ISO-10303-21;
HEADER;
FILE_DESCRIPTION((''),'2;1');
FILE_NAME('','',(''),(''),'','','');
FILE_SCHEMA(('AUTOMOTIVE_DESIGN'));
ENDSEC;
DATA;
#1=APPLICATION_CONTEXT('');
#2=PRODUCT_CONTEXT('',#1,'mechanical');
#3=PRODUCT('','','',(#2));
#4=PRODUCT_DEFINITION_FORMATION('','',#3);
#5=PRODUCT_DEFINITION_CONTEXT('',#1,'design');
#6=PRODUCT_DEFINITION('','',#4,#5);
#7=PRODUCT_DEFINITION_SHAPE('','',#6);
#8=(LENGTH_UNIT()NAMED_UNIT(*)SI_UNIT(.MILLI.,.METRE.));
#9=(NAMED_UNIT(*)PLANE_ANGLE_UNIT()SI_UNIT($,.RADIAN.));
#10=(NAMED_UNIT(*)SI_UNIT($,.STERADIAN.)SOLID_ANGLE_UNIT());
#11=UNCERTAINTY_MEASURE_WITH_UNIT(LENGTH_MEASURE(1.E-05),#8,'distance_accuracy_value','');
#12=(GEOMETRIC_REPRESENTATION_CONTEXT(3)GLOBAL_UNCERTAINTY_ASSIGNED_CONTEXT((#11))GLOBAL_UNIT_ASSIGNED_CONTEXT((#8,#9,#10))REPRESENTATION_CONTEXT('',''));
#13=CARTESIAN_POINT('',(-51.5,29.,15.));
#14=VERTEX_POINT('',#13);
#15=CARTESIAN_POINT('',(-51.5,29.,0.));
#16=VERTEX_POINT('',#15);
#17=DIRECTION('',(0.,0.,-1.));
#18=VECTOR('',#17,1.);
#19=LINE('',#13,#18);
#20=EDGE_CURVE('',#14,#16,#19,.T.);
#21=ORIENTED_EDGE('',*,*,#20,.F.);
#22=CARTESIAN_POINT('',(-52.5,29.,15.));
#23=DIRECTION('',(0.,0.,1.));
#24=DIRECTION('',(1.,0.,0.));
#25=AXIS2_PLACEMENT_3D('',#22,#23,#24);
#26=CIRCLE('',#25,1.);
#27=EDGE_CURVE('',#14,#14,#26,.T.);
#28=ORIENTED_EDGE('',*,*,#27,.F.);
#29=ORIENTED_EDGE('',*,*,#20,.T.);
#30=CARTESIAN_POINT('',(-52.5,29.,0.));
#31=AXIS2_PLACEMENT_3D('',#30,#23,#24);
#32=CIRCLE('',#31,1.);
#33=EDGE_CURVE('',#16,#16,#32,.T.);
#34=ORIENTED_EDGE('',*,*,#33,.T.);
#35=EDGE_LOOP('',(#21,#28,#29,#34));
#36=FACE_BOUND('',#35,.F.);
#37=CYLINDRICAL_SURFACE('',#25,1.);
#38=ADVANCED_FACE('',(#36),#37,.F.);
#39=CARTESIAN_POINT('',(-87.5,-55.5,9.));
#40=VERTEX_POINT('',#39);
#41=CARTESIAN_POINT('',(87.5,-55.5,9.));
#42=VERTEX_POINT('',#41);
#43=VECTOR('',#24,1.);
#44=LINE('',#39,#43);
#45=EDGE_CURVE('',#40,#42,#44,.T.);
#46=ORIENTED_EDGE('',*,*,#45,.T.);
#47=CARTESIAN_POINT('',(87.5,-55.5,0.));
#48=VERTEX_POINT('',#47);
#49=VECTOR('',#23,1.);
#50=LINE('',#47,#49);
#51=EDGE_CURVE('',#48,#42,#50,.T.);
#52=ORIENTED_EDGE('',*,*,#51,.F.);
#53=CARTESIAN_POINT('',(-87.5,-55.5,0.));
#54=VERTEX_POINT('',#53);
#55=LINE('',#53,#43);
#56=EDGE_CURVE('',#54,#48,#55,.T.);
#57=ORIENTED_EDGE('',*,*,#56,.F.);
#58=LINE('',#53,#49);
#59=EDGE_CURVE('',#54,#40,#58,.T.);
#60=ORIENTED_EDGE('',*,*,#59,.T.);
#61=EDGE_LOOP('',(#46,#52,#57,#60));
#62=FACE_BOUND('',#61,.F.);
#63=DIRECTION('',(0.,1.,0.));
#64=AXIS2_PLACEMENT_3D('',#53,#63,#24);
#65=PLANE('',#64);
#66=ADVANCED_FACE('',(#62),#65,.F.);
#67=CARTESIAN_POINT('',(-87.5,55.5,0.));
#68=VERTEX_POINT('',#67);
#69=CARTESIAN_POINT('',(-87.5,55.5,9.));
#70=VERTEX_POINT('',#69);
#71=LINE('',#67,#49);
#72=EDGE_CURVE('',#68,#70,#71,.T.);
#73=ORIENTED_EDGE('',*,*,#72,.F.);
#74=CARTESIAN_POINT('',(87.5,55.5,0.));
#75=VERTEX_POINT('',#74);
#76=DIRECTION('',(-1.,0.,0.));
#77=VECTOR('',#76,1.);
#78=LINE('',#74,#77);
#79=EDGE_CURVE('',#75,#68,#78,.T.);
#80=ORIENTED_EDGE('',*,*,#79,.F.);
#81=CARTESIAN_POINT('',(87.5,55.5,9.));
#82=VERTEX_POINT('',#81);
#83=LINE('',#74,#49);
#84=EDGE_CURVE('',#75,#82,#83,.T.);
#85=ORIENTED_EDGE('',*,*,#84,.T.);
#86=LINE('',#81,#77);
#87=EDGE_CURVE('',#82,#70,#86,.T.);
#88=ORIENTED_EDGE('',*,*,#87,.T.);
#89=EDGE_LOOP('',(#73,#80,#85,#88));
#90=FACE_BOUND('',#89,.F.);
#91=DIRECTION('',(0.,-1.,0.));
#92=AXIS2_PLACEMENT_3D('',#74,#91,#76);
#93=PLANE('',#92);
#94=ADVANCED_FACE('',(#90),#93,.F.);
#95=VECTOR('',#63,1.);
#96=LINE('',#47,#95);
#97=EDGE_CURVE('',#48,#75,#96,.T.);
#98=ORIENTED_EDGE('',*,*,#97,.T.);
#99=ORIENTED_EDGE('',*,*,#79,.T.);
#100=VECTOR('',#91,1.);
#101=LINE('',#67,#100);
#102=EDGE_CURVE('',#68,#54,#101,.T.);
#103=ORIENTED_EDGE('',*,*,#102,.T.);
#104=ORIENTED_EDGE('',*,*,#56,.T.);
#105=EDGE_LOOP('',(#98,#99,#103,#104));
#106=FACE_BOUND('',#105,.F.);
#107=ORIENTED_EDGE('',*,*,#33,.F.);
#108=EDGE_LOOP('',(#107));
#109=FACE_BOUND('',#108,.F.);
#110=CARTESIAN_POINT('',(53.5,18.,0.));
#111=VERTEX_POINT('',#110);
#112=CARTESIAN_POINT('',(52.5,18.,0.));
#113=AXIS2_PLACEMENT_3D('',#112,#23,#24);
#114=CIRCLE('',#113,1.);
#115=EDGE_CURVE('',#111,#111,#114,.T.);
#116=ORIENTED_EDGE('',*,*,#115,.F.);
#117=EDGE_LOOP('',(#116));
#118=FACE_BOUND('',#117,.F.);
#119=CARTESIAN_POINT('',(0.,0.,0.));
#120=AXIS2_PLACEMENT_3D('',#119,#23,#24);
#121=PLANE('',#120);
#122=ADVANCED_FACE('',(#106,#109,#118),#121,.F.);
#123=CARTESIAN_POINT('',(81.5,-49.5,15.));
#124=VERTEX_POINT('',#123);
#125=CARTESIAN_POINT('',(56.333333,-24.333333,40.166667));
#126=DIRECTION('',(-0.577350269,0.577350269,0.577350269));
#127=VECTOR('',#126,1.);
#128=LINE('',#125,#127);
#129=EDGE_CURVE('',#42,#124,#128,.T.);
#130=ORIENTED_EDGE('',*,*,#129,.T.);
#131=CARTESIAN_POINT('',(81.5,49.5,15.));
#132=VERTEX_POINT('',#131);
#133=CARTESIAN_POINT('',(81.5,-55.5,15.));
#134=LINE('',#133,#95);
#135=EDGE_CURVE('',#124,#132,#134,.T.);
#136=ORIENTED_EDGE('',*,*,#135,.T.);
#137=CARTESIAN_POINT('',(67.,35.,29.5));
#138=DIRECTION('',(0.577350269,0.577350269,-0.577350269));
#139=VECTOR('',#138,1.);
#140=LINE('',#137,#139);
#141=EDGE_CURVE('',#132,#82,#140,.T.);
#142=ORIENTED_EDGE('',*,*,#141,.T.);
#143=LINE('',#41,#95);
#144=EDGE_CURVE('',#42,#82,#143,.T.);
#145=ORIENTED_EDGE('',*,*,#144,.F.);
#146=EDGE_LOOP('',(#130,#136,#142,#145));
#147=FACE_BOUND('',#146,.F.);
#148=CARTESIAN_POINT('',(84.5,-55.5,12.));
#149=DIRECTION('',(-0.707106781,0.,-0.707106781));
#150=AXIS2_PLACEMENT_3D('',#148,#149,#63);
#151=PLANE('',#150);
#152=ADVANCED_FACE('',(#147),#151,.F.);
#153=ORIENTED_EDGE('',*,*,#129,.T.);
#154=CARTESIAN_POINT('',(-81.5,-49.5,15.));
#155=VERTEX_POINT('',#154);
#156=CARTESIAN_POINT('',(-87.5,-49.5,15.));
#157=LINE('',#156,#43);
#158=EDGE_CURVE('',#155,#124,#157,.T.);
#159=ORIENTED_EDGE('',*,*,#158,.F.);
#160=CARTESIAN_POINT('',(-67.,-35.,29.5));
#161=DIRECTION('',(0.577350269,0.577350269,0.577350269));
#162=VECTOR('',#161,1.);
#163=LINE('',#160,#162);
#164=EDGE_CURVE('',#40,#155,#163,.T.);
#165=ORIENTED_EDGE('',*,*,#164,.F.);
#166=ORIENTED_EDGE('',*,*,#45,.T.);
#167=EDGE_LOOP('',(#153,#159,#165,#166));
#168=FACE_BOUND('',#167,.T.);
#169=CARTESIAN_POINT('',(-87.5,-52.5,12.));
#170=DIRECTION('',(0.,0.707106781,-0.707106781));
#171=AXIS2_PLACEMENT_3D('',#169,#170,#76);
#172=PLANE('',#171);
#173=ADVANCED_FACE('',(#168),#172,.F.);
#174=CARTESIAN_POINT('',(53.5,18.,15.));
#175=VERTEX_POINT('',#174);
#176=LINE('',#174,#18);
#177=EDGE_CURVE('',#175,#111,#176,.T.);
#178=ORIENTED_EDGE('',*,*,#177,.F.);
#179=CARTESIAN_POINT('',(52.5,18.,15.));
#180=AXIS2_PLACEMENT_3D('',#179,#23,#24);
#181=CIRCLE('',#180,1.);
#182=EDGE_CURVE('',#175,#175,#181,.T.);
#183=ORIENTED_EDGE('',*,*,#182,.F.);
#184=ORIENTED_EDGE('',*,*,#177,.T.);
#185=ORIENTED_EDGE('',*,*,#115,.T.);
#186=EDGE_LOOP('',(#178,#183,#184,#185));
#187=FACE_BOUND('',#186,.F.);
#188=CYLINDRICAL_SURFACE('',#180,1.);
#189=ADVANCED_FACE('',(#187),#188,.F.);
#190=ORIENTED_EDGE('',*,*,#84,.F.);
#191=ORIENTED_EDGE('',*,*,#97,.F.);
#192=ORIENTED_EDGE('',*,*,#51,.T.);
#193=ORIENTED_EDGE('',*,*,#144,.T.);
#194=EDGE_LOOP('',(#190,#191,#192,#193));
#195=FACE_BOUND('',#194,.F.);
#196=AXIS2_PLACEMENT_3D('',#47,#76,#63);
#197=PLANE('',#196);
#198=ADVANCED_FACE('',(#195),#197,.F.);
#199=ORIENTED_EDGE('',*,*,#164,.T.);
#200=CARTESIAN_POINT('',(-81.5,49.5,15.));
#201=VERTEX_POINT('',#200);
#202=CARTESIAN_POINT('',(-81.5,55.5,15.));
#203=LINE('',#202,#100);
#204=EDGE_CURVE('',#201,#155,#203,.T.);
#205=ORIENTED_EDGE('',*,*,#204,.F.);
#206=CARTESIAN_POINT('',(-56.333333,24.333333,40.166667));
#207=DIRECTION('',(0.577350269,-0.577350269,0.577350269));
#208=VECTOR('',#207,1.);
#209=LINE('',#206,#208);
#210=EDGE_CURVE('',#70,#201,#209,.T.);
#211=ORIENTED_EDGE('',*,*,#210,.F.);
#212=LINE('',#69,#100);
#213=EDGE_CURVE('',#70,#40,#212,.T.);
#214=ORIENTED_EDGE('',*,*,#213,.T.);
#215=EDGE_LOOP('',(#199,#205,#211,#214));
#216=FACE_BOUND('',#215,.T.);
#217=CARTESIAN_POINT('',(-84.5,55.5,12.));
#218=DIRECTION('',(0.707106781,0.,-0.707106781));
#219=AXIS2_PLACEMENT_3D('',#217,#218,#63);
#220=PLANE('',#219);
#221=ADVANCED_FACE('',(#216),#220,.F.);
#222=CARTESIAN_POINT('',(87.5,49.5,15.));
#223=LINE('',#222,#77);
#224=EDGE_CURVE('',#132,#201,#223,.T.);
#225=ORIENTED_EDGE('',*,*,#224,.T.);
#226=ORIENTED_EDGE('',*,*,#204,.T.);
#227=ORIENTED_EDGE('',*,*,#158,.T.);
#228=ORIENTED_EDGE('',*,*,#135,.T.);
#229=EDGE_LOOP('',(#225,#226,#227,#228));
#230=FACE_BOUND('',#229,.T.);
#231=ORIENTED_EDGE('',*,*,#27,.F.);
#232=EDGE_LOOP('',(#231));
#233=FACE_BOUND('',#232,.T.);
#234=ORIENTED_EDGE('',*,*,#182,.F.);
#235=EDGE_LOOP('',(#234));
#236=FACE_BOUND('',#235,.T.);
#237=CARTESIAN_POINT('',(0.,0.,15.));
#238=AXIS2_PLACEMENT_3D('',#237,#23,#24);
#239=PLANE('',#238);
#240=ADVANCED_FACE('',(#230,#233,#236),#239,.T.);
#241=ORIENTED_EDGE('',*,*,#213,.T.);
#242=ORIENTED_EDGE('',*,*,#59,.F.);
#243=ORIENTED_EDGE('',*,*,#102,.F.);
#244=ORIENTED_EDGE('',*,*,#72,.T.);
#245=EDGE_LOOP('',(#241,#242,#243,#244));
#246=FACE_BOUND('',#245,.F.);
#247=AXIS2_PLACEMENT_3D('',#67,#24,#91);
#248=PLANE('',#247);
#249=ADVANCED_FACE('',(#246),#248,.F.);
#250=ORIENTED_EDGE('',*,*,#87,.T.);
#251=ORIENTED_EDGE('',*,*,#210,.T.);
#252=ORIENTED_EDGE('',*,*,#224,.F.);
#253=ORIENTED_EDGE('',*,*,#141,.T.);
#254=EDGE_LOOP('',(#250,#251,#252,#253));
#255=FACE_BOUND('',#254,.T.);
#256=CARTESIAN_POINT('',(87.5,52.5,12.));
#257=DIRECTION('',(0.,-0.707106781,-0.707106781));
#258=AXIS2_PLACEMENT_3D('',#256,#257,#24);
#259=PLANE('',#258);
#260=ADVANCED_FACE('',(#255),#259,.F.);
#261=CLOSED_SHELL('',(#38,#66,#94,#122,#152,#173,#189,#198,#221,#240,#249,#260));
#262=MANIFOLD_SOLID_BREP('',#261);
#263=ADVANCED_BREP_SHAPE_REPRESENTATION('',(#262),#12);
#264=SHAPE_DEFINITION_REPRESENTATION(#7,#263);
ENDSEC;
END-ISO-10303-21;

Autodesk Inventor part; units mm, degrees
ref_plane "YZ Plane" through (0, 0, 0) normal (1, 0, 0) x (0, 1, 0)
ref_plane "XZ Plane" through (0, 0, 0) normal (0, 1, 0) x (-1, 0, 0)
ref_plane "XY Plane" through (0, 0, 0) normal (0, 0, 1) x (1, 0, 0)
sketch "Skizze1" plane through (0, 0, 0) normal (0, 0, 1) x (1, 0, 0)
  line L0 (-87.5, -55.5) -> (87.5, -55.5)
  line L1 (87.5, -55.5) -> (87.5, 55.5)
  line L2 (87.5, 55.5) -> (-87.5, 55.5)
  line L3 (-87.5, 55.5) -> (-87.5, -55.5)
  line L4 (-87.5, -55.5) -> (87.5, 55.5) construction
  line L5 (87.5, -55.5) -> (-87.5, 55.5) construction
  point P0 (0, 0)
  dimension "d0" = 175
  dimension "d1" = 111
extrude "Extrusion1" add sketch "Skizze1" along normal blind 15
sketch "Skizze2" plane through (0, 0, 15) normal (0, 0, 1) x (1, 0, 0)
  line L0 (87.5, 55.5) -> (-87.5, 55.5) projected
  line L1 (-87.5, 55.5) -> (-52.5, 55.5) construction
  line L2 (-52.5, 55.5) -> (-52.5, 29) construction
  line L3 (-52.5, 29) -> (-87.5, 29) construction
  line L4 (-87.5, 29) -> (-87.5, 55.5) construction
  line L5 (87.5, 55.5) -> (52.5, 55.5) construction
  line L6 (52.5, 55.5) -> (52.5, 18) construction
  line L7 (52.5, 18) -> (87.5, 18) construction
  line L8 (87.5, 18) -> (87.5, 55.5) construction
  circle A0 centre (-52.5, 29) radius 1
  circle A1 centre (52.5, 18) radius 1
  point P0 (0, 0)
  dimension "d4" = 35
  dimension "d5" = 26.5
  dimension "d6" = 35
  dimension "d7" = 37.5
  dimension "d8" = 2
  dimension "d9" = 2
extrude "Extrusion2" cut sketch "Skizze2" against normal blind 19.5
chamfer "Fasen1" distance 6 angle 45 4 edges at (-87.5, 0, 15) (0, -55.5, 15) (87.5, 0, 15) (0, 55.5, 15)
properties part number "sf_Wood_Base_1"
